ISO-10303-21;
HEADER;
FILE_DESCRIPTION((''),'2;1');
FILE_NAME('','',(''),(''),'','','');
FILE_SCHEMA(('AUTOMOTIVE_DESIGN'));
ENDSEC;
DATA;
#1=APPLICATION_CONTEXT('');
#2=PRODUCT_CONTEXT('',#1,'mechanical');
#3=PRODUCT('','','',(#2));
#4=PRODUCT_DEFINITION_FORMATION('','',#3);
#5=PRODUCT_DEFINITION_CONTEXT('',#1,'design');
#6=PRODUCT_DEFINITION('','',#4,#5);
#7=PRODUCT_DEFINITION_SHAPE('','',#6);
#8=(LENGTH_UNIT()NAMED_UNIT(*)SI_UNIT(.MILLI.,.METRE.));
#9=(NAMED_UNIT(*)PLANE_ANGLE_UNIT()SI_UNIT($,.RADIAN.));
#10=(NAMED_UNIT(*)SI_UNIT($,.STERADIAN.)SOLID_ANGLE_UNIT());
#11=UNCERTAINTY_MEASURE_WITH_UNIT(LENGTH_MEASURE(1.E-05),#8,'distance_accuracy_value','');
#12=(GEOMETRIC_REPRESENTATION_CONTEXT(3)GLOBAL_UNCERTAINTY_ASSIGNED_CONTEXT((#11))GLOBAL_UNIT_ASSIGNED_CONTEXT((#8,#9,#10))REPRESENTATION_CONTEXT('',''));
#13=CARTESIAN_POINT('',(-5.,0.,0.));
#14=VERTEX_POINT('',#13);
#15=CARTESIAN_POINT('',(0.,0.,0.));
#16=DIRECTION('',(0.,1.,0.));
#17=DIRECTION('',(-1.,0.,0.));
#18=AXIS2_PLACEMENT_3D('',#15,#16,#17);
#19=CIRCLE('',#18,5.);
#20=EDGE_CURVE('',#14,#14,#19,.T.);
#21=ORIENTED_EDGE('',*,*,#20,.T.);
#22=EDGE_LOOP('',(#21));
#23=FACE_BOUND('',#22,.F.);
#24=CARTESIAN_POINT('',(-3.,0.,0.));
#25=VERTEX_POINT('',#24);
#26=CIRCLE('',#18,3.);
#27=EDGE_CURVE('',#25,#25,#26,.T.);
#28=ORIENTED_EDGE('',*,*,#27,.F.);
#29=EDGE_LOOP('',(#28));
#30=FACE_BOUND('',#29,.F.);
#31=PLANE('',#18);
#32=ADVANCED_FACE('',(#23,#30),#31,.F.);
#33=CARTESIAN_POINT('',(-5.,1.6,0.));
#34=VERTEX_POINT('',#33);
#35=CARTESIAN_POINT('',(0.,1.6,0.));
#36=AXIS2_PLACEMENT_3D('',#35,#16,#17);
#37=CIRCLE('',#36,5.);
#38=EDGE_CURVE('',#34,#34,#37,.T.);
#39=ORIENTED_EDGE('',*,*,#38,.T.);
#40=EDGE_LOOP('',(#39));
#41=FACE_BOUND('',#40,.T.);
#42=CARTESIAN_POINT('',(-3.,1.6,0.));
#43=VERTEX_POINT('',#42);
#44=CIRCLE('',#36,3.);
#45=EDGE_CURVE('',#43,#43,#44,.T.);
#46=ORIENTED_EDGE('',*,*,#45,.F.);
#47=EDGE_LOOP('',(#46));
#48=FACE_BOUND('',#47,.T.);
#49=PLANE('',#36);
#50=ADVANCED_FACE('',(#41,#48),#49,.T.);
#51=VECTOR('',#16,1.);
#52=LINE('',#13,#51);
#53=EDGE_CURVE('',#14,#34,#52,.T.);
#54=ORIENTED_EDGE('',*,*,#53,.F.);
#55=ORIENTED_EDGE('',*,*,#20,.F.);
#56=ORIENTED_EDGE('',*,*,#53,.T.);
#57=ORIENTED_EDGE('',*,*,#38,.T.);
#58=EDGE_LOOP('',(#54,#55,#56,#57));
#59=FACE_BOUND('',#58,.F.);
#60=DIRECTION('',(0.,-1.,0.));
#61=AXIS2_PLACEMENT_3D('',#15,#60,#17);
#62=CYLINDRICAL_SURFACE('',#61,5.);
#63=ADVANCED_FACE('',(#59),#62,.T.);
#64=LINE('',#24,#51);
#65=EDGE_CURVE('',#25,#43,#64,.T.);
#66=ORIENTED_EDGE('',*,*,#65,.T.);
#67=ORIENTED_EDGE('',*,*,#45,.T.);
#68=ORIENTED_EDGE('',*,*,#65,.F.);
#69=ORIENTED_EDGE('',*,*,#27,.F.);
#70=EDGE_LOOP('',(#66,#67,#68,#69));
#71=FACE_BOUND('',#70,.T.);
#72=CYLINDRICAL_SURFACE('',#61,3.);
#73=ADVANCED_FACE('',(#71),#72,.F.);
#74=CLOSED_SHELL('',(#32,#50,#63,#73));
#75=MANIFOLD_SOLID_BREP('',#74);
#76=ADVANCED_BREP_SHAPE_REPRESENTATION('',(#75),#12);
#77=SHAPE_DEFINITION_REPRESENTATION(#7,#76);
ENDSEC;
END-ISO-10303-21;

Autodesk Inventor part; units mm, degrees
ref_plane "YZ Plane" through (0, 0, 0) normal (1, 0, 0) x (0, 1, 0)
ref_plane "XZ Plane" through (0, 0, 0) normal (0, 1, 0) x (-1, 0, 0)
ref_plane "XY Plane" through (0, 0, 0) normal (0, 0, 1) x (1, 0, 0)
sketch "Sketch1" plane through (0, 0, 0) normal (0, 1, 0) x (-1, 0, 0)
  circle A0 centre (0, 0) radius 3
  circle A1 centre (0, 0) radius 5
  dimension "d0" = 6
  dimension "d1" = 10
extrude "Extrusion1" add sketch "Sketch1" along normal blind 1.6
properties part number "washer6mm" material "Stainless Steel"
